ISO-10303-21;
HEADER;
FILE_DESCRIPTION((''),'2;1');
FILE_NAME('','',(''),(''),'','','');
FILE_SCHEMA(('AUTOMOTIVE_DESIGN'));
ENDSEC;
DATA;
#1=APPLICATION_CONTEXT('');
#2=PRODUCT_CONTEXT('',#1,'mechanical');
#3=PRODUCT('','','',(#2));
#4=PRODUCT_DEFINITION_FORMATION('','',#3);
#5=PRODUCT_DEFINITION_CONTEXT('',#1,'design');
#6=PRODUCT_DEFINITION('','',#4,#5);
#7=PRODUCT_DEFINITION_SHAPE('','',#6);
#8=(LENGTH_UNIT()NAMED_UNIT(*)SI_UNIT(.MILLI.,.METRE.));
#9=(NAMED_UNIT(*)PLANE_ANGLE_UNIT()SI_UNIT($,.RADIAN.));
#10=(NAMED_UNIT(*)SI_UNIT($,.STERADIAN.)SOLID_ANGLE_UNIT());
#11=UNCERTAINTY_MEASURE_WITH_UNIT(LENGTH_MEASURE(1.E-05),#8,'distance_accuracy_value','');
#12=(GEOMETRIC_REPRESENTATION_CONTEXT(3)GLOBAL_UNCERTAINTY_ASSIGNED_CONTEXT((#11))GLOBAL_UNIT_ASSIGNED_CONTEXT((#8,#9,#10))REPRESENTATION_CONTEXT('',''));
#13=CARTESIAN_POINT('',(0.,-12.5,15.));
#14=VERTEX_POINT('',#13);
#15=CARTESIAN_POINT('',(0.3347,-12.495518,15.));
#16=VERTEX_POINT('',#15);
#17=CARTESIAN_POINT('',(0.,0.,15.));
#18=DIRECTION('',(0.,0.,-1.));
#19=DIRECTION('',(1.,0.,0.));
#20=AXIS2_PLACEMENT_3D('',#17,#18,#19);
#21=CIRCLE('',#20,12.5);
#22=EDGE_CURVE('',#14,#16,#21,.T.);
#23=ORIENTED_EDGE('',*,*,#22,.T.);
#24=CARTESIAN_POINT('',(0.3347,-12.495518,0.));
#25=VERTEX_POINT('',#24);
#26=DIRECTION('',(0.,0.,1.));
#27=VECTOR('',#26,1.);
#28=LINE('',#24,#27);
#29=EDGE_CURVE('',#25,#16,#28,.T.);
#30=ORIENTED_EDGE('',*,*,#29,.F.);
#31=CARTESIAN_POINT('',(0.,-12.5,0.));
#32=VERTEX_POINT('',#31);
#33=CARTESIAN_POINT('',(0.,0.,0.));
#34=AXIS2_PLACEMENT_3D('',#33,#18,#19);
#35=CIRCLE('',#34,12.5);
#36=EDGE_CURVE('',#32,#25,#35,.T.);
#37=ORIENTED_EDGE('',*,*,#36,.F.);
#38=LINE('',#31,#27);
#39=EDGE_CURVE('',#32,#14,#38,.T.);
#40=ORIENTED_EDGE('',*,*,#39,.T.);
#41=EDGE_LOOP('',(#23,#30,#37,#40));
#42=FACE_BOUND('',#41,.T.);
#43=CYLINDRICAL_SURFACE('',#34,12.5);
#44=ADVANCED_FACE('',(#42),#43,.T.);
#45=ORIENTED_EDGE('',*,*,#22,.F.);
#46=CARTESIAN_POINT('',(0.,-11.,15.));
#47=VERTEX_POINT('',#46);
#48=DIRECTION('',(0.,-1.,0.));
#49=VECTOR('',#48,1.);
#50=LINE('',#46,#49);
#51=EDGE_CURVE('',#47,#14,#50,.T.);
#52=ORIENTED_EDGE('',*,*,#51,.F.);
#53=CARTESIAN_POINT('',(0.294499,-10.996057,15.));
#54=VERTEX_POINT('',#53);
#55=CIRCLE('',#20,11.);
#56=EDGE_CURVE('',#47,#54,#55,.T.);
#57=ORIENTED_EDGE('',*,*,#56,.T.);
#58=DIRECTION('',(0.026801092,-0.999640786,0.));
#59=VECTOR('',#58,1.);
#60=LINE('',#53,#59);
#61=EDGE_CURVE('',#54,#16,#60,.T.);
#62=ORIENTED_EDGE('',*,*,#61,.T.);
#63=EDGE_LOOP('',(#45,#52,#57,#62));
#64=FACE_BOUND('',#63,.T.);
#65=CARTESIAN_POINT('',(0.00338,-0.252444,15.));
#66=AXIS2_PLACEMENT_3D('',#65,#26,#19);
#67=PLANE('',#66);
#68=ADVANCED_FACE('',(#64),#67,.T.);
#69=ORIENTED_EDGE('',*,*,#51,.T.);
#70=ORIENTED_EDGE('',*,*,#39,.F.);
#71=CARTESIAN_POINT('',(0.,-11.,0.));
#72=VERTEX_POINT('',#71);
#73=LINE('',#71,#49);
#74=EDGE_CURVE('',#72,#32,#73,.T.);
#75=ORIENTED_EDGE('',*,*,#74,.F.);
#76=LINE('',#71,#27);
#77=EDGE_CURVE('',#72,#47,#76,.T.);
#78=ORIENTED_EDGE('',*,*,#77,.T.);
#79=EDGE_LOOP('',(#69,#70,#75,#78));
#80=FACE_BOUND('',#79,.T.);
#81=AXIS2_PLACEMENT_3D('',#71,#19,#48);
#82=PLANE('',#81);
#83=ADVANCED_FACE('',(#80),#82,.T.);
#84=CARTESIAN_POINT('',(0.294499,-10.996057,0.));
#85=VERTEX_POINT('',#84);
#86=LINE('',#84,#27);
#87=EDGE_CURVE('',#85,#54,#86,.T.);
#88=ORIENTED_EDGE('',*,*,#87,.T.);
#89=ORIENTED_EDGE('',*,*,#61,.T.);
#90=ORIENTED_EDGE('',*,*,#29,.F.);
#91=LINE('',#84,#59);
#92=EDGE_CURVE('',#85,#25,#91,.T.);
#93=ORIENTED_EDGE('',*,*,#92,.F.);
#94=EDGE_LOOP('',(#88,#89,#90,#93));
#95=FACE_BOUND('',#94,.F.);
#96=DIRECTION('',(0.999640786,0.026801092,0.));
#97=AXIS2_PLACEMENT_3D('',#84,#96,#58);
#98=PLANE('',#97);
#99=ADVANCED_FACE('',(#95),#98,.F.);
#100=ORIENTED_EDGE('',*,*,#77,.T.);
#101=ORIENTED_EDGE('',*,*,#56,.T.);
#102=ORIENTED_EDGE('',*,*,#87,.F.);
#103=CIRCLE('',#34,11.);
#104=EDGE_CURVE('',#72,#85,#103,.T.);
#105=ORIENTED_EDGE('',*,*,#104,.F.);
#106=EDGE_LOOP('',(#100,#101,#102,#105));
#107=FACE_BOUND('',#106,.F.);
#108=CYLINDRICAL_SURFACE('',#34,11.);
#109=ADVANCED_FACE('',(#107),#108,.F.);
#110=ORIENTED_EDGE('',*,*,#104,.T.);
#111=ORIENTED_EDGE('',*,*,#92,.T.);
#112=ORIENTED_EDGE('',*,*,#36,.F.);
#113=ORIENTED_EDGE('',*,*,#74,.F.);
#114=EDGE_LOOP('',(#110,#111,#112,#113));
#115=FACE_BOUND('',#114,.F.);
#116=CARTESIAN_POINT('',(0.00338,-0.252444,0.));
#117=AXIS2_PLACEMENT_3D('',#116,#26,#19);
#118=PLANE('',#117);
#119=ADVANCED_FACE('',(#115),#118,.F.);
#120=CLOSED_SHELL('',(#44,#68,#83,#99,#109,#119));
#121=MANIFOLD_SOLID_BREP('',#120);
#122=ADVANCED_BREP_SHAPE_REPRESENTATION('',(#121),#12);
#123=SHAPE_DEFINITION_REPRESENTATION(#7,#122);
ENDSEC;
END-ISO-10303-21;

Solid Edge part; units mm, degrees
sketch "Sketch1" plane through (0, 0, 0) normal (0, 0, 1) x (1, 0, 0)
  line L0 (0.2945, -10.9961) -> (0.3347, -12.4955)
  line L1 (0, -11) -> (0, -12.5)
  arc A0 (0, -11) -> (0.2945, -10.9961) centre (0, 0) cw
  arc A1 (0, -12.5) -> (0.3347, -12.4955) centre (0, 0) cw
extrude "Protrusion1" add sketch "Sketch1" along normal blind 15
